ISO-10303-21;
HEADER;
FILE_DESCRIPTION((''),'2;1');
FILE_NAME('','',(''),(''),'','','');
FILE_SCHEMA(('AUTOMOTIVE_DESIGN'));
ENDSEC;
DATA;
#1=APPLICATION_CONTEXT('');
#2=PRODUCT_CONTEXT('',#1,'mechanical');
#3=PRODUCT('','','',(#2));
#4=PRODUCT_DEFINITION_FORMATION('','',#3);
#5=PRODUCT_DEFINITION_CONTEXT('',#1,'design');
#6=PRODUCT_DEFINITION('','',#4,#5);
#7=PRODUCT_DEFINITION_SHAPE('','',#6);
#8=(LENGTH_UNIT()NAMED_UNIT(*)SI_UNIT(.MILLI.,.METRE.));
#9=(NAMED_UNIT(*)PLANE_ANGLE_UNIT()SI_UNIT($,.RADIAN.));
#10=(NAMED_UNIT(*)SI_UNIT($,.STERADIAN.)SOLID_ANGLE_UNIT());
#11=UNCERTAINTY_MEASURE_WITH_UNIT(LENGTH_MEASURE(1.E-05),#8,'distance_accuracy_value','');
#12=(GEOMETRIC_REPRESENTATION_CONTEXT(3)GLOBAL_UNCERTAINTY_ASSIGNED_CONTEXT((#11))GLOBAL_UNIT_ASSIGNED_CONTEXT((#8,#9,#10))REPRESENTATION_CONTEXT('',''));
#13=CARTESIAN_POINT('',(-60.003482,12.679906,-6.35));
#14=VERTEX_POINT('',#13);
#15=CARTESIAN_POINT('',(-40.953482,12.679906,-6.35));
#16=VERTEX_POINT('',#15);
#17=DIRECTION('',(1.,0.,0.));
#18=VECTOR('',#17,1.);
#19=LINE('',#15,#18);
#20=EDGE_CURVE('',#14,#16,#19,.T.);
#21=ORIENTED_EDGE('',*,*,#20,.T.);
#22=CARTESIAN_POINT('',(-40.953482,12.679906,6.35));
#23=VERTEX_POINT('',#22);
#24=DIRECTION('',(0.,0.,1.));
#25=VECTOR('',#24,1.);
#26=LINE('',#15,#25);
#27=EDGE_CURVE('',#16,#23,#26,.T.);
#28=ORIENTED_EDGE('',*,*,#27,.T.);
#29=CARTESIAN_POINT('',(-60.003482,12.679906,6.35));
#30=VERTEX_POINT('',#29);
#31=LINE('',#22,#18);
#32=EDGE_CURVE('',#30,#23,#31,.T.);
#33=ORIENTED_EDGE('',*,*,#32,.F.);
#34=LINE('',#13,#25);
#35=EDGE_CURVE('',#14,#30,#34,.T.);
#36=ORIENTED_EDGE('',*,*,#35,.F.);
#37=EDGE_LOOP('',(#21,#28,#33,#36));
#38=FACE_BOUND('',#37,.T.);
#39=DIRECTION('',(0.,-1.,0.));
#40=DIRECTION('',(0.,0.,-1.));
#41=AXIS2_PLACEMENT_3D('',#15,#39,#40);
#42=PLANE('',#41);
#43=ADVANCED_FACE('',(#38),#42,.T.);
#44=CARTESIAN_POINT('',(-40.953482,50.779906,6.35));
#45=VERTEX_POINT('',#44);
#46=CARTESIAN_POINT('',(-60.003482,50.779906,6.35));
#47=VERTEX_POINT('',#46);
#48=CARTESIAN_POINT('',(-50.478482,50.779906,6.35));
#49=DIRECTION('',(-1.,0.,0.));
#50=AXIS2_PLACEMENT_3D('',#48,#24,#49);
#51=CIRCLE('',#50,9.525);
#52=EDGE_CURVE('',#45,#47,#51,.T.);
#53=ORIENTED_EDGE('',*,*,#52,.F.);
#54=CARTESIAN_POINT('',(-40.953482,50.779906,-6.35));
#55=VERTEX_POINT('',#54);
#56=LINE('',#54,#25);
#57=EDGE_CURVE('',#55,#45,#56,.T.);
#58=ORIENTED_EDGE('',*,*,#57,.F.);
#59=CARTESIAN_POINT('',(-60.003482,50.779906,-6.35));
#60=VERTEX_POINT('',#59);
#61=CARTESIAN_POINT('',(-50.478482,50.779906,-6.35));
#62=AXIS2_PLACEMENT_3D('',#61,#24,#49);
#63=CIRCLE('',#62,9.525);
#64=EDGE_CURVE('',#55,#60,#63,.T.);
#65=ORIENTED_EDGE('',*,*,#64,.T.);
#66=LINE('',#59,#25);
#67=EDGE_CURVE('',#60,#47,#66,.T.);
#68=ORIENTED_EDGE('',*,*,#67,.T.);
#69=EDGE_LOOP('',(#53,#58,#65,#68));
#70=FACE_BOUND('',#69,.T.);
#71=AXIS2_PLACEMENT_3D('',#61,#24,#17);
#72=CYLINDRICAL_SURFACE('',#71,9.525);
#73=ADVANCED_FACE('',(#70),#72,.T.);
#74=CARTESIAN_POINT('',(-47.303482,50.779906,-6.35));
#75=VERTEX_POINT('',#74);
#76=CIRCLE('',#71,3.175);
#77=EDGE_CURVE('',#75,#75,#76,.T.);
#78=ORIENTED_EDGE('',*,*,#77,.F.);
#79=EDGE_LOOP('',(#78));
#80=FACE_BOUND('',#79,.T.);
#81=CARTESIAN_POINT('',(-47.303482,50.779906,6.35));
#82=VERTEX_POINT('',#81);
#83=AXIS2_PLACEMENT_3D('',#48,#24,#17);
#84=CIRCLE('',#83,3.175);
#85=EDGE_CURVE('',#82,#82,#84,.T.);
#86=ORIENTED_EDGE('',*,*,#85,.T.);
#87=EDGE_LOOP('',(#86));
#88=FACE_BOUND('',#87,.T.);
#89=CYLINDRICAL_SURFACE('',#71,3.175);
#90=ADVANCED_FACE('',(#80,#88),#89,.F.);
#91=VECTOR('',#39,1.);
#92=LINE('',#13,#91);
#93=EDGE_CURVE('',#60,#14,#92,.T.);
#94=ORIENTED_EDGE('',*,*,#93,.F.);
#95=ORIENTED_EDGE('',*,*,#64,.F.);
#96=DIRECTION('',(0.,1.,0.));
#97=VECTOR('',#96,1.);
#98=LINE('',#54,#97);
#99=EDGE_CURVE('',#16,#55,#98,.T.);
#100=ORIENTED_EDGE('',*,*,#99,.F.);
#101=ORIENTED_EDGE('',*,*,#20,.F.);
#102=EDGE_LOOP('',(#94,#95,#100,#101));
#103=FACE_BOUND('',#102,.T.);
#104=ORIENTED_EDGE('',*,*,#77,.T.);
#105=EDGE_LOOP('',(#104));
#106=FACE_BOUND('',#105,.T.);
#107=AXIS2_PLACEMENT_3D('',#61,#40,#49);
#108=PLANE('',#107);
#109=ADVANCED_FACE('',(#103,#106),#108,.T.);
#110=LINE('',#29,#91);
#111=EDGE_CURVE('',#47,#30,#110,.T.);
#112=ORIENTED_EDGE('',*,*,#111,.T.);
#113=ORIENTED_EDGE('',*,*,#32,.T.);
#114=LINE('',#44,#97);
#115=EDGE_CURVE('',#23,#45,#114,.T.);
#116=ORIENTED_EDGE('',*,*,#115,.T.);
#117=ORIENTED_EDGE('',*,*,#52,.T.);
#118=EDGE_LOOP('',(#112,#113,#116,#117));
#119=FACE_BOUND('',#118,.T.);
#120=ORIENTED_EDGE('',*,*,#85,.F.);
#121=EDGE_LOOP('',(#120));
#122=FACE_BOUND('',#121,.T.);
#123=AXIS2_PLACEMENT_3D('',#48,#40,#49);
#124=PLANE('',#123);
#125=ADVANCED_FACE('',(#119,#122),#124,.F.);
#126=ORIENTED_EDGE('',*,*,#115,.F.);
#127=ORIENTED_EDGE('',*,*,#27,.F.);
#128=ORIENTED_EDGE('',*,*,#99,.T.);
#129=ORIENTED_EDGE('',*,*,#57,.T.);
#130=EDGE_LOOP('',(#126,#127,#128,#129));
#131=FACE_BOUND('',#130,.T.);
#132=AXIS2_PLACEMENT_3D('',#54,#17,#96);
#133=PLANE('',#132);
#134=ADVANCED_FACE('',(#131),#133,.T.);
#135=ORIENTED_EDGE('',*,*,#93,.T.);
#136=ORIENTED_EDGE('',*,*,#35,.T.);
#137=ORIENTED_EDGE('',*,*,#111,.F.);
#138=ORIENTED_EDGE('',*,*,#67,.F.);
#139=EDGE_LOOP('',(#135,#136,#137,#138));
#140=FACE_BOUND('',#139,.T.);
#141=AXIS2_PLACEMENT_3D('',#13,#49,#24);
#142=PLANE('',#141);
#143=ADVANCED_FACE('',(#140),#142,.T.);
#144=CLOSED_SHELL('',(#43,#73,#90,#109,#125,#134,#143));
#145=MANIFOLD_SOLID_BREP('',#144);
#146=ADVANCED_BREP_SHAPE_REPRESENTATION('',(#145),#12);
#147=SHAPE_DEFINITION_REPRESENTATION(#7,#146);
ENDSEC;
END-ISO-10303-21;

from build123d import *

# Parameters (mm, degrees)
BOSS_EXTRUDE1_DEPTH      = 6.35
BOSS_EXTRUDE1_DEPTH_BACK = 6.35
SKETCH1_R                = 3.175


with BuildPart() as part:
    # Sketch1 → Boss-Extrude1 (new, two sides: drawn at the far end of the back side and taken through both)
    with BuildSketch(Plane.XY.offset(-BOSS_EXTRUDE1_DEPTH_BACK)):
        with BuildLine():
            Line((-60.003481739, 12.679905588), (-60.003481739, 50.779905588))
            ThreePointArc((-60.003481739, 50.779905588), (-50.478481739, 60.304905588), (-40.953481739, 50.779905588))
            Line((-40.953481739, 50.779905588), (-40.953481739, 12.679905588))
            Line((-40.953481739, 12.679905588), (-60.003481739, 12.679905588))
        make_face()
        with Locations((-50.478481739, 50.779905588)):
            Circle(SKETCH1_R, mode=Mode.SUBTRACT)
    extrude(amount=BOSS_EXTRUDE1_DEPTH + BOSS_EXTRUDE1_DEPTH_BACK)


solid = part.part
